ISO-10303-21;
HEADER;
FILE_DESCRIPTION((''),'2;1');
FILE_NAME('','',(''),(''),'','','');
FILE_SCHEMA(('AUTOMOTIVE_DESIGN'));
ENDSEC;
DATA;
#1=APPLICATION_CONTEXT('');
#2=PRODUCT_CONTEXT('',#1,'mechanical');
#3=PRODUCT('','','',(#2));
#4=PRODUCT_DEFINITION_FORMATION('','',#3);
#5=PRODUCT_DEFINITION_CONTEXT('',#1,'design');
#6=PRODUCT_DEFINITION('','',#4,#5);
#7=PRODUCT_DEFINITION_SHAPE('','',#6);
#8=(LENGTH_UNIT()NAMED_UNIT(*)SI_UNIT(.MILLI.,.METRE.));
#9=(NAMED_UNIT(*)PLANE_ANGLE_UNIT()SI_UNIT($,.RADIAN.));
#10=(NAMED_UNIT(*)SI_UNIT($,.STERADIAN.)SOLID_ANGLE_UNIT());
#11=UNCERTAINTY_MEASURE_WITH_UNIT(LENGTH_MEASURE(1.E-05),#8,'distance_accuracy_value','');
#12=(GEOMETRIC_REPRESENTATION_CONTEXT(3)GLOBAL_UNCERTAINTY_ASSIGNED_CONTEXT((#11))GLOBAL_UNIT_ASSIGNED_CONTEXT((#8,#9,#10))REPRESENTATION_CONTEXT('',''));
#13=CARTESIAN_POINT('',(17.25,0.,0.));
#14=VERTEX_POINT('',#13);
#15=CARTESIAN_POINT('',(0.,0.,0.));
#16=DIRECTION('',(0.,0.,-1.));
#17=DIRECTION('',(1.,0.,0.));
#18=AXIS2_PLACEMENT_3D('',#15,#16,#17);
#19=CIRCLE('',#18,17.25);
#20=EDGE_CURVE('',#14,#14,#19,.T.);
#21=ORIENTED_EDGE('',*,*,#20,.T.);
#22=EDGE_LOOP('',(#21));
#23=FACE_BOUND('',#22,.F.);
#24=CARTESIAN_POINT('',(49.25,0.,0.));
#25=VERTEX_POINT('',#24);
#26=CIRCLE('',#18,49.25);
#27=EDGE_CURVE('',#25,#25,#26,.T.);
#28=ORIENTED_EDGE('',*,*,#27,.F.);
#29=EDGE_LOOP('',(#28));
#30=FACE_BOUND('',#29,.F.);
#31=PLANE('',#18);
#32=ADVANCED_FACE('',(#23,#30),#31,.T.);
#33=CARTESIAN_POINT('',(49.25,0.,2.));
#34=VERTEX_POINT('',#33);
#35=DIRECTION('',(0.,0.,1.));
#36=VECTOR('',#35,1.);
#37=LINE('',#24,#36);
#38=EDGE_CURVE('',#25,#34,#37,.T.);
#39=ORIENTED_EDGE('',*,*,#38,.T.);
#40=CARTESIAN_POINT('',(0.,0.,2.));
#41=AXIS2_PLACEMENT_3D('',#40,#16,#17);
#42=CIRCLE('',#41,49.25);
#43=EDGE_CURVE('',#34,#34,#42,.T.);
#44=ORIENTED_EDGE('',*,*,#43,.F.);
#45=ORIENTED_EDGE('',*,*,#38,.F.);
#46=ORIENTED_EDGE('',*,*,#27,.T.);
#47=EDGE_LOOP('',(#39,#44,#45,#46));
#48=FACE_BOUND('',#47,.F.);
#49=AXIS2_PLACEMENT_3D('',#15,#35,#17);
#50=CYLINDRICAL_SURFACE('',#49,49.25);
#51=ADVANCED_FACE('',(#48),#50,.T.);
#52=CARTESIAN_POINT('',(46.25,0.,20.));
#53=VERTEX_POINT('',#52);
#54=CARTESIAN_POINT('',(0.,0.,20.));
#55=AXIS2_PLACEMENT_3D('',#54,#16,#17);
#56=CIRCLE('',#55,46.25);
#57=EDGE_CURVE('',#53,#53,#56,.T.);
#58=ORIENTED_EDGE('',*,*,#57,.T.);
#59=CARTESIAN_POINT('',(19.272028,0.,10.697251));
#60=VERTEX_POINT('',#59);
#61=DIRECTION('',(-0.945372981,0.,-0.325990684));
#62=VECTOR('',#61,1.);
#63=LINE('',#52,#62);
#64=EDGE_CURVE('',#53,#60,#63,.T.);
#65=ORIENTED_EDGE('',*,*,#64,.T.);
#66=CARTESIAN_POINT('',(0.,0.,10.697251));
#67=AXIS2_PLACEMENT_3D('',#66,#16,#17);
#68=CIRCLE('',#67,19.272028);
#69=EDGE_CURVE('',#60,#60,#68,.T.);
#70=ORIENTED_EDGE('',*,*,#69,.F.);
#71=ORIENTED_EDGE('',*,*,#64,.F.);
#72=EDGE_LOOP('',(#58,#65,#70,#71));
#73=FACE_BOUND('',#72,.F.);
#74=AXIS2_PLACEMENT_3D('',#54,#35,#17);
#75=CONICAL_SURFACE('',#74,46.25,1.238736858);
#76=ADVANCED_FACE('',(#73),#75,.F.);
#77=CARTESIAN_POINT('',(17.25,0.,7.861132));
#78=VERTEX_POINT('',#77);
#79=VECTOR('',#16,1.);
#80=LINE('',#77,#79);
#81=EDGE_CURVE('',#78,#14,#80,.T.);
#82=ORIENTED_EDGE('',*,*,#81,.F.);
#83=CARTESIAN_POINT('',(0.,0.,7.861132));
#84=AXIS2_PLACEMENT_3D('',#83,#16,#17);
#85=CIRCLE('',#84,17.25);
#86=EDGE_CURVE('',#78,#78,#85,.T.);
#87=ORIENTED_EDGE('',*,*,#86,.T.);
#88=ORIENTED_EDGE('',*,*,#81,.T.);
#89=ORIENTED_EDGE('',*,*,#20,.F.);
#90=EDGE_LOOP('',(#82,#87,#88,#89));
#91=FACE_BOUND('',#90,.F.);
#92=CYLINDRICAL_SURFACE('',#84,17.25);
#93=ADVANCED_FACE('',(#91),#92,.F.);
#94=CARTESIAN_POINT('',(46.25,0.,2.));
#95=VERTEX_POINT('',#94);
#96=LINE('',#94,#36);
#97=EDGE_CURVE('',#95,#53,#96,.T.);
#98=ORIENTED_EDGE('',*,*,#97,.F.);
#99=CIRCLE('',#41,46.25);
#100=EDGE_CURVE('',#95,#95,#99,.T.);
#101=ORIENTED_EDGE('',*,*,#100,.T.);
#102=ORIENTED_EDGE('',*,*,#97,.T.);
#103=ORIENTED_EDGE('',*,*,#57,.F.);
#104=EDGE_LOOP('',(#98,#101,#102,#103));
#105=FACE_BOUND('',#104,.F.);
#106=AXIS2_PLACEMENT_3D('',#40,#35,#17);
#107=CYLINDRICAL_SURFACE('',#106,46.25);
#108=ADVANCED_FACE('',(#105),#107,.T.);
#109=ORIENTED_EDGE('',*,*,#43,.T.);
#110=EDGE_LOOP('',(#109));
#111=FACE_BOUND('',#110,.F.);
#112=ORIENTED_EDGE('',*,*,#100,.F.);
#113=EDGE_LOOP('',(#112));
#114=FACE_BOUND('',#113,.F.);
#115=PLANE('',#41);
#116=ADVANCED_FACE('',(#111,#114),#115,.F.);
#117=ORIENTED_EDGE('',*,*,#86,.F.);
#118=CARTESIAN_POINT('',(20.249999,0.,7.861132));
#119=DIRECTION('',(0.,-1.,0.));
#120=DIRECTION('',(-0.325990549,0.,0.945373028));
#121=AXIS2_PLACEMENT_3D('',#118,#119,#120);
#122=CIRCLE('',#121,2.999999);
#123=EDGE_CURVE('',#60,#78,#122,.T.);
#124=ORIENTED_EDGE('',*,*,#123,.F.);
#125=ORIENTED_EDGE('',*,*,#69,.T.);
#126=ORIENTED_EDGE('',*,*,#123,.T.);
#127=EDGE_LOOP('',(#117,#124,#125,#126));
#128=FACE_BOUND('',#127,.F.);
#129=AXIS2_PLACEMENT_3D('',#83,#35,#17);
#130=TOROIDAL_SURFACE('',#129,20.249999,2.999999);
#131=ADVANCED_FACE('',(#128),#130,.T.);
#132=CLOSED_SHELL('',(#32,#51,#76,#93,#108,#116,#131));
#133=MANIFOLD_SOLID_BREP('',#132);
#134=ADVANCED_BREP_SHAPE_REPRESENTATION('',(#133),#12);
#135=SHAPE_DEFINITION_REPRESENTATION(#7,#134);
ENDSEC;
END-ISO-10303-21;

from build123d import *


with BuildPart() as f1:
    # F0 (on Front) → F1 (revolve)
    with BuildSketch(Plane.XZ):
        with BuildLine():
            Line((17.25, 7.861132), (17.25, 0))
            Line((17.25, 0), (46.25, 0))
            Line((46.25, 0), (49.25, 0))
            Line((49.25, 0), (49.25, 2))
            Line((49.25, 2), (46.25, 2))
            Line((46.25, 2), (46.25, 20))
            Line((46.25, 20), (19.272028, 10.697251))
            ThreePointArc((19.272028, 10.697251), (17.807264, 9.602695), (17.25, 7.861132))
        make_face()
    revolve(axis=Axis((0, 0, 5.085478), (0, 0, -1)))


solid = f1.part
